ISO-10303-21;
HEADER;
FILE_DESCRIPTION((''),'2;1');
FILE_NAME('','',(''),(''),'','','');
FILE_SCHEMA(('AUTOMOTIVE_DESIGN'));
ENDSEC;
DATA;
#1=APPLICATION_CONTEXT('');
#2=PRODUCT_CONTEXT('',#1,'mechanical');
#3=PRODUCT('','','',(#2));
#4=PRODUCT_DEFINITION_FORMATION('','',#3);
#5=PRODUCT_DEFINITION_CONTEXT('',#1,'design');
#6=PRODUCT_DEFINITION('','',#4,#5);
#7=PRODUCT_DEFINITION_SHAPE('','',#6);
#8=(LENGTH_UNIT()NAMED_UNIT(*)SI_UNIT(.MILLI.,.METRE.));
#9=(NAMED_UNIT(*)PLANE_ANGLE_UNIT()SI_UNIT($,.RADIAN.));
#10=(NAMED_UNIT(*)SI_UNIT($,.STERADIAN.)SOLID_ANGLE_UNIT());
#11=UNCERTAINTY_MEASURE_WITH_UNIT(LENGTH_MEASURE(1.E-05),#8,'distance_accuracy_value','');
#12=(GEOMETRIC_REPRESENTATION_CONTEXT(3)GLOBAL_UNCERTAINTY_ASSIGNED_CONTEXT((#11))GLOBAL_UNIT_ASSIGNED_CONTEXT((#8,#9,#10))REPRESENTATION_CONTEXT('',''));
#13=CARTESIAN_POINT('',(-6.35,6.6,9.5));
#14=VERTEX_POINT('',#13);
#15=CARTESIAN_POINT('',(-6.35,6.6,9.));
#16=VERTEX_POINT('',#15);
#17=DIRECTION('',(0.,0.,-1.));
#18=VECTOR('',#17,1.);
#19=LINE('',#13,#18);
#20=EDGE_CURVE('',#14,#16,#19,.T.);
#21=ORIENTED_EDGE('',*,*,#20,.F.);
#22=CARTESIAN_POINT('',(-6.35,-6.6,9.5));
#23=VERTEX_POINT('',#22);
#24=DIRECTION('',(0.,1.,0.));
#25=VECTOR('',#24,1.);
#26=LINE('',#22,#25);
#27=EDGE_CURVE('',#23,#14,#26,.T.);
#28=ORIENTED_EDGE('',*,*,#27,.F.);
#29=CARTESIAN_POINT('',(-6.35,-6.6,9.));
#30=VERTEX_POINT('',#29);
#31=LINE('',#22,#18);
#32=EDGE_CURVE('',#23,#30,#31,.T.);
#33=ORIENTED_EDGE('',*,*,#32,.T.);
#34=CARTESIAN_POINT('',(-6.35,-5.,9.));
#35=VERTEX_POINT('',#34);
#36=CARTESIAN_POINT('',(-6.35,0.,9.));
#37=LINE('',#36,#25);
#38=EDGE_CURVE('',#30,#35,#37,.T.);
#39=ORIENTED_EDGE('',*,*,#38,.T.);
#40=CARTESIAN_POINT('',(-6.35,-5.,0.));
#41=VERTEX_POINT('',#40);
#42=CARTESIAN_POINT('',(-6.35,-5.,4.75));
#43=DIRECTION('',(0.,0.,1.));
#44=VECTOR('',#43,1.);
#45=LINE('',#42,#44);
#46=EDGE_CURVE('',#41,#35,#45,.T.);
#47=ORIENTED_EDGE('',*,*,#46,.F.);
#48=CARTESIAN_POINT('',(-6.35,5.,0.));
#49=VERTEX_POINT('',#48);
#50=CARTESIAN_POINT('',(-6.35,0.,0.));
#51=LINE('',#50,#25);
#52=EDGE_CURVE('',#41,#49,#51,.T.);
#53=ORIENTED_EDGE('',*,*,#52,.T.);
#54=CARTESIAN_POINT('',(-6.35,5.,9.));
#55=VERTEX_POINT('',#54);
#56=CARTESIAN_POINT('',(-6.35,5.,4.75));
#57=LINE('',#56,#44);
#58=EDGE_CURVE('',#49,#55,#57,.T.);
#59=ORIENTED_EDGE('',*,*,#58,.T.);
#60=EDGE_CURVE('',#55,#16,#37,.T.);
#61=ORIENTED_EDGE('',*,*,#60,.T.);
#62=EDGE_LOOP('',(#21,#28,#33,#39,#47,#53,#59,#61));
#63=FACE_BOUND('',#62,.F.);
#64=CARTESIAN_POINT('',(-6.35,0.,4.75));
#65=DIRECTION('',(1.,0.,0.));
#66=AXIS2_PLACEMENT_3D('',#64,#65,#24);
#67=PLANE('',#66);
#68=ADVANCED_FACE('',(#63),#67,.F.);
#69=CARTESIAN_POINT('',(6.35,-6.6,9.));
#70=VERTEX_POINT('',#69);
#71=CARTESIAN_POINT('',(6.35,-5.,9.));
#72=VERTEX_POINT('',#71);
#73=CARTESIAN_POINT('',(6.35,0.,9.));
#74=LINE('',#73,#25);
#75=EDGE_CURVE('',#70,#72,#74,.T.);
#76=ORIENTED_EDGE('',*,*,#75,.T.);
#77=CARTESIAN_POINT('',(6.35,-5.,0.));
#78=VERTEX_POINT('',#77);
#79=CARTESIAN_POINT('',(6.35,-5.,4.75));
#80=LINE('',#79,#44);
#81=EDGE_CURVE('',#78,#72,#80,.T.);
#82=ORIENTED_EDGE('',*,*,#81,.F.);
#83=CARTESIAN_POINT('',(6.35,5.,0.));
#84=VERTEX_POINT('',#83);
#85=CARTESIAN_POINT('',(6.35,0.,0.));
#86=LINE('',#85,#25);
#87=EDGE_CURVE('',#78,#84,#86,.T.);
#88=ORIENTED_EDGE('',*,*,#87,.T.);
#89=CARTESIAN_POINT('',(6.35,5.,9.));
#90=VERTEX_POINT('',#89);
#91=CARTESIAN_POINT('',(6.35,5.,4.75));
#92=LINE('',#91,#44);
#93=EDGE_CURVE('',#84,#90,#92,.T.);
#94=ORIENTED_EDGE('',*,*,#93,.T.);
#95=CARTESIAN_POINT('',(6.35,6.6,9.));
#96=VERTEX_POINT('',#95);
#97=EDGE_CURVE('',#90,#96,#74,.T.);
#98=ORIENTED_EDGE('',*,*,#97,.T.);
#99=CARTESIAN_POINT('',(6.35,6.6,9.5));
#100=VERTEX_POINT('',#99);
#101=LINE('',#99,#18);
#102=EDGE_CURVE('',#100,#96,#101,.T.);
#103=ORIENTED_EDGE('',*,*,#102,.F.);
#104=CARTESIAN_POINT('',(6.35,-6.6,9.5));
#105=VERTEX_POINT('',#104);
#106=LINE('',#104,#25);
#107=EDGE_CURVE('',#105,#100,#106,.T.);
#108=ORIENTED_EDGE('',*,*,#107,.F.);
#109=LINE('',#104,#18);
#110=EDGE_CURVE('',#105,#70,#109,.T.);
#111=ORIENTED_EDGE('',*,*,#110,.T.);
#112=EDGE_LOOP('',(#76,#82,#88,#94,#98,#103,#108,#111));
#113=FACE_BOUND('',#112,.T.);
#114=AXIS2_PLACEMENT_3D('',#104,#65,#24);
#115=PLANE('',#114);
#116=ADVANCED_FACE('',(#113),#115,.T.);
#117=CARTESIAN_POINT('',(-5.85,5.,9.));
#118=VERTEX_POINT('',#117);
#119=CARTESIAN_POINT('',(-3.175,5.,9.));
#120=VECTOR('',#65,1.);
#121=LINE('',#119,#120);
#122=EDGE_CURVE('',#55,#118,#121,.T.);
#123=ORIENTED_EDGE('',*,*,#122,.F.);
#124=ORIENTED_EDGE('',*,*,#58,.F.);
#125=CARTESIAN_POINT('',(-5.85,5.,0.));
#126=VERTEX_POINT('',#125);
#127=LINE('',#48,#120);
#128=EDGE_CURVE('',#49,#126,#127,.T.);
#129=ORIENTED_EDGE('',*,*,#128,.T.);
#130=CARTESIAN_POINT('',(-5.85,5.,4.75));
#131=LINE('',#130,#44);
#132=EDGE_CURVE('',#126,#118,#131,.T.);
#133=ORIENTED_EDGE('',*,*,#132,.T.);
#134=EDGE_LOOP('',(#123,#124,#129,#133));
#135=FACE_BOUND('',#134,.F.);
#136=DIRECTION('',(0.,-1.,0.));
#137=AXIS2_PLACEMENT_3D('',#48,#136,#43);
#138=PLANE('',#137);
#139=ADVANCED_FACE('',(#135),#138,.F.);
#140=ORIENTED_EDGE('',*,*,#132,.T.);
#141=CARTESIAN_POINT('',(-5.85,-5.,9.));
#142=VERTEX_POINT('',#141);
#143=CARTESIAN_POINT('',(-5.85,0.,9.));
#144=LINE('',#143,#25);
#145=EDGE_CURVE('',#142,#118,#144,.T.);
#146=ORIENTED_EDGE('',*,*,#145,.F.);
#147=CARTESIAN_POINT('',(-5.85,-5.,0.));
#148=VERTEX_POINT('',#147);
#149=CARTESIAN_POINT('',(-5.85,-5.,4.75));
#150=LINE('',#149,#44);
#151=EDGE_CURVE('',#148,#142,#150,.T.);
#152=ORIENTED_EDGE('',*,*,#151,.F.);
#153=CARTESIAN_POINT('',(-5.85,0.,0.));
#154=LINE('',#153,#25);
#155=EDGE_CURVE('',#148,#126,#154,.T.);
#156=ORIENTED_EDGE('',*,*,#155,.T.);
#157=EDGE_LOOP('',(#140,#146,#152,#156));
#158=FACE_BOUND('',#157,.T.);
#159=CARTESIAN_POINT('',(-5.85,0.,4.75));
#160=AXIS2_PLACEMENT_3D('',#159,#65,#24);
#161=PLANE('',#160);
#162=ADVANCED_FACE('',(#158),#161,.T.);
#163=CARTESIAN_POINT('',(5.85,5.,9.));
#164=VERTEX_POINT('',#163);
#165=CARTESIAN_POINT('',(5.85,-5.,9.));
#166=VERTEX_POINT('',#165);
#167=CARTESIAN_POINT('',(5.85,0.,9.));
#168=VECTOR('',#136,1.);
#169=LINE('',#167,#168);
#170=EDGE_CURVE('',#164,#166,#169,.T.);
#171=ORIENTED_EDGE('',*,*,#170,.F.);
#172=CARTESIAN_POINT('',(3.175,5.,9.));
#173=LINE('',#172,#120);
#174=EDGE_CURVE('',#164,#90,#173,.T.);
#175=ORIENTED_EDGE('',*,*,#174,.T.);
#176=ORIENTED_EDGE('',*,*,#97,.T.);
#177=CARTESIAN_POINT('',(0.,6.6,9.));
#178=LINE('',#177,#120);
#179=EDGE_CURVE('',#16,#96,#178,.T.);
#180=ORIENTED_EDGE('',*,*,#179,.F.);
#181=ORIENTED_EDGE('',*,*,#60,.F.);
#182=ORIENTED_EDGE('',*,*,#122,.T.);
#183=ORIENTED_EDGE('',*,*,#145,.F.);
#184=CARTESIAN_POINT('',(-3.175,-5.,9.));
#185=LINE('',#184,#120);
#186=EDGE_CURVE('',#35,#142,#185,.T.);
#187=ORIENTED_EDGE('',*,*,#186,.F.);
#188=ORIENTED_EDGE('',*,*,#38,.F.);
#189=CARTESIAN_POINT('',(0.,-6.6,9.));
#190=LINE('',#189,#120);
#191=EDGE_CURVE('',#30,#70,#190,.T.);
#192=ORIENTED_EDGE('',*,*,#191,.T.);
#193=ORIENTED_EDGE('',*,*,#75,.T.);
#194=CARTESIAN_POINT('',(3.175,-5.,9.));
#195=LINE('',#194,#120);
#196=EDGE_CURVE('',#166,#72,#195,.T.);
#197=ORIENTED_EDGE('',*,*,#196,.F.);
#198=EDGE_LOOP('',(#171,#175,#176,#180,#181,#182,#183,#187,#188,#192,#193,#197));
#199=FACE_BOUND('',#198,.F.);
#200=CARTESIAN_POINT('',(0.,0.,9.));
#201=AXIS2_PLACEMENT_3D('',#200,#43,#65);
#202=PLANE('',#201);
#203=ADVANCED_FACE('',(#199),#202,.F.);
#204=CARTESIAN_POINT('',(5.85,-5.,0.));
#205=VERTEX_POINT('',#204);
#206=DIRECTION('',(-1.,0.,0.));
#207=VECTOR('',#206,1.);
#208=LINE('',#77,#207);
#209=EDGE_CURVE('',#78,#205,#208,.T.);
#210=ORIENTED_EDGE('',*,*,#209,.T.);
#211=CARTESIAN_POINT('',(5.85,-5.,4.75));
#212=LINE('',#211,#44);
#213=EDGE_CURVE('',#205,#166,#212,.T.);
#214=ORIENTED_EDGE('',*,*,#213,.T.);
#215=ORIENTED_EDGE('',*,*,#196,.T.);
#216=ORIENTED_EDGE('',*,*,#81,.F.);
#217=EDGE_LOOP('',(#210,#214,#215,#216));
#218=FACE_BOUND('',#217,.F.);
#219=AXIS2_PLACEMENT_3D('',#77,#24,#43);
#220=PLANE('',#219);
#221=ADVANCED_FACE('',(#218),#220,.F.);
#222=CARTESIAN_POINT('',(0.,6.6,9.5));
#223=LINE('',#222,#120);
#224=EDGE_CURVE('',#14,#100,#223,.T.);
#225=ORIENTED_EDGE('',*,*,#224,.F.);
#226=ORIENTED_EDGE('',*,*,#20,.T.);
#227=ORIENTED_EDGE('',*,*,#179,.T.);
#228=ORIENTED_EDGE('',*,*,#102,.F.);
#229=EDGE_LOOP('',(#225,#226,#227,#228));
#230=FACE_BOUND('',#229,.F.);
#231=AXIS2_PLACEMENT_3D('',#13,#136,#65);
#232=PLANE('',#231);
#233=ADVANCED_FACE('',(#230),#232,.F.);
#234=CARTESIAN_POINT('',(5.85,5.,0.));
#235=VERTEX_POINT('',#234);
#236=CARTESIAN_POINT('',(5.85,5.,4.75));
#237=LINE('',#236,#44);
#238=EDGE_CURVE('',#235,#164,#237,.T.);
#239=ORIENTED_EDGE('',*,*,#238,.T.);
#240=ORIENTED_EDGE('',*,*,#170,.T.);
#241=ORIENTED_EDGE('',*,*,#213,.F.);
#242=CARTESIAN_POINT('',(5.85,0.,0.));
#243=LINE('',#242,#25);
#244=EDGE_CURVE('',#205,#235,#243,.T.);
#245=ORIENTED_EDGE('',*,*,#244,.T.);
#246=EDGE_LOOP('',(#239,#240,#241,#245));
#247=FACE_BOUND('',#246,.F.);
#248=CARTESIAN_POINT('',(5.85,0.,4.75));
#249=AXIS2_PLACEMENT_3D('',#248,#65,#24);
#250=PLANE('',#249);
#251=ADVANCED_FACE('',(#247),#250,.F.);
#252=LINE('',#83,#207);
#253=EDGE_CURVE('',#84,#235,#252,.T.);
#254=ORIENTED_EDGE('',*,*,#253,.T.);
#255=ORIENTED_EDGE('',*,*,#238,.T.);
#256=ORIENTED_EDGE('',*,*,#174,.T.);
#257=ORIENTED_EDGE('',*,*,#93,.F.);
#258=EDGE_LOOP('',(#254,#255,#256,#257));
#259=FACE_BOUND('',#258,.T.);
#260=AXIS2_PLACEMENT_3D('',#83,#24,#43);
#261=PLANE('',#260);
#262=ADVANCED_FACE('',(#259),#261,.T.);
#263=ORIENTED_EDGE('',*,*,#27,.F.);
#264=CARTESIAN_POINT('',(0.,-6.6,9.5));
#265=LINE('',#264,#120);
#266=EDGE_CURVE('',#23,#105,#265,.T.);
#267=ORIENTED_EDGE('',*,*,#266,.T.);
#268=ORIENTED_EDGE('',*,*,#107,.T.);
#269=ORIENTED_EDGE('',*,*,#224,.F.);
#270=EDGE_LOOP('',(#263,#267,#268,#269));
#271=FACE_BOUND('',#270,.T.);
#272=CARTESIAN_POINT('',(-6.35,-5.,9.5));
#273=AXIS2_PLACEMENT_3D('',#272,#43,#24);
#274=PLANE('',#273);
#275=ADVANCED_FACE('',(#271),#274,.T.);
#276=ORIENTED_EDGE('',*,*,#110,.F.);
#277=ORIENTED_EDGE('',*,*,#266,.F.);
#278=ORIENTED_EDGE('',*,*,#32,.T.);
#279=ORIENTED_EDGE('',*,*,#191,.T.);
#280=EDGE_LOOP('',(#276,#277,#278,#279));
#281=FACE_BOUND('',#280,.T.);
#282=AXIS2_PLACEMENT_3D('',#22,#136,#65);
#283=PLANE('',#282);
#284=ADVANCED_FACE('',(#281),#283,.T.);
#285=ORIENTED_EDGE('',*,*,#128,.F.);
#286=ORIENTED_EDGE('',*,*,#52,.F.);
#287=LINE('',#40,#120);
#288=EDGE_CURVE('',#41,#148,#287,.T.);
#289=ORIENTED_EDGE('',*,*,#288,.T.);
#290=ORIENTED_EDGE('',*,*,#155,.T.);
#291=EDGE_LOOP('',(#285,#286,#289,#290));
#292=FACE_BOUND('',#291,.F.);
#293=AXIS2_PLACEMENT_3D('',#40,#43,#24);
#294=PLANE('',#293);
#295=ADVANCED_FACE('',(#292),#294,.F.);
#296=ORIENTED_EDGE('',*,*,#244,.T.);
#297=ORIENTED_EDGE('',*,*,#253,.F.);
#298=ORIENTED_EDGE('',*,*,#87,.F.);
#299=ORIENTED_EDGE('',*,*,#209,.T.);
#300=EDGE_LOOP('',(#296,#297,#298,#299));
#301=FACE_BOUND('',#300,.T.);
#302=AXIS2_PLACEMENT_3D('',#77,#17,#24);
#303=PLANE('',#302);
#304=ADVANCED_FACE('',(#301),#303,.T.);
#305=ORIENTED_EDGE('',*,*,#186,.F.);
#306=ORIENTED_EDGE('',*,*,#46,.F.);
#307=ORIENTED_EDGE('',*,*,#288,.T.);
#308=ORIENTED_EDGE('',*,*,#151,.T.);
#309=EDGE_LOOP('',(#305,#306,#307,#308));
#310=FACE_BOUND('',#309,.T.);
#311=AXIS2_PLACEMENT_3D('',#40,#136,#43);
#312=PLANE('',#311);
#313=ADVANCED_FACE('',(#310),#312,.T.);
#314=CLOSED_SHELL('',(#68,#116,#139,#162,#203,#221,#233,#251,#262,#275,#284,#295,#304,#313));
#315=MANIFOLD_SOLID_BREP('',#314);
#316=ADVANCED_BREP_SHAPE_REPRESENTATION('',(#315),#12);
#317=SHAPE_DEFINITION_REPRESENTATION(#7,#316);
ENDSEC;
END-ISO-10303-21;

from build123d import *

# Parameters (mm, degrees)
SKETCH006_W  = 10
SKETCH006_H  = 9.5
PAD002_DEPTH = 0.5
SKETCH007_W  = 12.7
SKETCH007_H  = 13.2
PAD003_DEPTH = 0.5
SKETCH008_W  = 10
SKETCH008_H  = 9.5
PAD004_DEPTH = 0.5


with BuildPart() as part:
    # Sketch006 → Pad002 (new body)
    with BuildSketch(Plane.YZ.offset(6.35)):
        with Locations((0, 4.75)):
            Rectangle(SKETCH006_W, SKETCH006_H)
    extrude(amount=-PAD002_DEPTH)

    # Sketch007 → Pad003 (join)
    with BuildSketch(Plane.XY.offset(9.5)):
        Rectangle(SKETCH007_W, SKETCH007_H)
    extrude(amount=-PAD003_DEPTH)

    # Sketch008 → Pad004 (join)
    with BuildSketch(Plane.YZ.offset(-6.35)):
        with Locations((0, 4.75)):
            Rectangle(SKETCH008_W, SKETCH008_H)
    extrude(amount=PAD004_DEPTH)


solid = part.part
